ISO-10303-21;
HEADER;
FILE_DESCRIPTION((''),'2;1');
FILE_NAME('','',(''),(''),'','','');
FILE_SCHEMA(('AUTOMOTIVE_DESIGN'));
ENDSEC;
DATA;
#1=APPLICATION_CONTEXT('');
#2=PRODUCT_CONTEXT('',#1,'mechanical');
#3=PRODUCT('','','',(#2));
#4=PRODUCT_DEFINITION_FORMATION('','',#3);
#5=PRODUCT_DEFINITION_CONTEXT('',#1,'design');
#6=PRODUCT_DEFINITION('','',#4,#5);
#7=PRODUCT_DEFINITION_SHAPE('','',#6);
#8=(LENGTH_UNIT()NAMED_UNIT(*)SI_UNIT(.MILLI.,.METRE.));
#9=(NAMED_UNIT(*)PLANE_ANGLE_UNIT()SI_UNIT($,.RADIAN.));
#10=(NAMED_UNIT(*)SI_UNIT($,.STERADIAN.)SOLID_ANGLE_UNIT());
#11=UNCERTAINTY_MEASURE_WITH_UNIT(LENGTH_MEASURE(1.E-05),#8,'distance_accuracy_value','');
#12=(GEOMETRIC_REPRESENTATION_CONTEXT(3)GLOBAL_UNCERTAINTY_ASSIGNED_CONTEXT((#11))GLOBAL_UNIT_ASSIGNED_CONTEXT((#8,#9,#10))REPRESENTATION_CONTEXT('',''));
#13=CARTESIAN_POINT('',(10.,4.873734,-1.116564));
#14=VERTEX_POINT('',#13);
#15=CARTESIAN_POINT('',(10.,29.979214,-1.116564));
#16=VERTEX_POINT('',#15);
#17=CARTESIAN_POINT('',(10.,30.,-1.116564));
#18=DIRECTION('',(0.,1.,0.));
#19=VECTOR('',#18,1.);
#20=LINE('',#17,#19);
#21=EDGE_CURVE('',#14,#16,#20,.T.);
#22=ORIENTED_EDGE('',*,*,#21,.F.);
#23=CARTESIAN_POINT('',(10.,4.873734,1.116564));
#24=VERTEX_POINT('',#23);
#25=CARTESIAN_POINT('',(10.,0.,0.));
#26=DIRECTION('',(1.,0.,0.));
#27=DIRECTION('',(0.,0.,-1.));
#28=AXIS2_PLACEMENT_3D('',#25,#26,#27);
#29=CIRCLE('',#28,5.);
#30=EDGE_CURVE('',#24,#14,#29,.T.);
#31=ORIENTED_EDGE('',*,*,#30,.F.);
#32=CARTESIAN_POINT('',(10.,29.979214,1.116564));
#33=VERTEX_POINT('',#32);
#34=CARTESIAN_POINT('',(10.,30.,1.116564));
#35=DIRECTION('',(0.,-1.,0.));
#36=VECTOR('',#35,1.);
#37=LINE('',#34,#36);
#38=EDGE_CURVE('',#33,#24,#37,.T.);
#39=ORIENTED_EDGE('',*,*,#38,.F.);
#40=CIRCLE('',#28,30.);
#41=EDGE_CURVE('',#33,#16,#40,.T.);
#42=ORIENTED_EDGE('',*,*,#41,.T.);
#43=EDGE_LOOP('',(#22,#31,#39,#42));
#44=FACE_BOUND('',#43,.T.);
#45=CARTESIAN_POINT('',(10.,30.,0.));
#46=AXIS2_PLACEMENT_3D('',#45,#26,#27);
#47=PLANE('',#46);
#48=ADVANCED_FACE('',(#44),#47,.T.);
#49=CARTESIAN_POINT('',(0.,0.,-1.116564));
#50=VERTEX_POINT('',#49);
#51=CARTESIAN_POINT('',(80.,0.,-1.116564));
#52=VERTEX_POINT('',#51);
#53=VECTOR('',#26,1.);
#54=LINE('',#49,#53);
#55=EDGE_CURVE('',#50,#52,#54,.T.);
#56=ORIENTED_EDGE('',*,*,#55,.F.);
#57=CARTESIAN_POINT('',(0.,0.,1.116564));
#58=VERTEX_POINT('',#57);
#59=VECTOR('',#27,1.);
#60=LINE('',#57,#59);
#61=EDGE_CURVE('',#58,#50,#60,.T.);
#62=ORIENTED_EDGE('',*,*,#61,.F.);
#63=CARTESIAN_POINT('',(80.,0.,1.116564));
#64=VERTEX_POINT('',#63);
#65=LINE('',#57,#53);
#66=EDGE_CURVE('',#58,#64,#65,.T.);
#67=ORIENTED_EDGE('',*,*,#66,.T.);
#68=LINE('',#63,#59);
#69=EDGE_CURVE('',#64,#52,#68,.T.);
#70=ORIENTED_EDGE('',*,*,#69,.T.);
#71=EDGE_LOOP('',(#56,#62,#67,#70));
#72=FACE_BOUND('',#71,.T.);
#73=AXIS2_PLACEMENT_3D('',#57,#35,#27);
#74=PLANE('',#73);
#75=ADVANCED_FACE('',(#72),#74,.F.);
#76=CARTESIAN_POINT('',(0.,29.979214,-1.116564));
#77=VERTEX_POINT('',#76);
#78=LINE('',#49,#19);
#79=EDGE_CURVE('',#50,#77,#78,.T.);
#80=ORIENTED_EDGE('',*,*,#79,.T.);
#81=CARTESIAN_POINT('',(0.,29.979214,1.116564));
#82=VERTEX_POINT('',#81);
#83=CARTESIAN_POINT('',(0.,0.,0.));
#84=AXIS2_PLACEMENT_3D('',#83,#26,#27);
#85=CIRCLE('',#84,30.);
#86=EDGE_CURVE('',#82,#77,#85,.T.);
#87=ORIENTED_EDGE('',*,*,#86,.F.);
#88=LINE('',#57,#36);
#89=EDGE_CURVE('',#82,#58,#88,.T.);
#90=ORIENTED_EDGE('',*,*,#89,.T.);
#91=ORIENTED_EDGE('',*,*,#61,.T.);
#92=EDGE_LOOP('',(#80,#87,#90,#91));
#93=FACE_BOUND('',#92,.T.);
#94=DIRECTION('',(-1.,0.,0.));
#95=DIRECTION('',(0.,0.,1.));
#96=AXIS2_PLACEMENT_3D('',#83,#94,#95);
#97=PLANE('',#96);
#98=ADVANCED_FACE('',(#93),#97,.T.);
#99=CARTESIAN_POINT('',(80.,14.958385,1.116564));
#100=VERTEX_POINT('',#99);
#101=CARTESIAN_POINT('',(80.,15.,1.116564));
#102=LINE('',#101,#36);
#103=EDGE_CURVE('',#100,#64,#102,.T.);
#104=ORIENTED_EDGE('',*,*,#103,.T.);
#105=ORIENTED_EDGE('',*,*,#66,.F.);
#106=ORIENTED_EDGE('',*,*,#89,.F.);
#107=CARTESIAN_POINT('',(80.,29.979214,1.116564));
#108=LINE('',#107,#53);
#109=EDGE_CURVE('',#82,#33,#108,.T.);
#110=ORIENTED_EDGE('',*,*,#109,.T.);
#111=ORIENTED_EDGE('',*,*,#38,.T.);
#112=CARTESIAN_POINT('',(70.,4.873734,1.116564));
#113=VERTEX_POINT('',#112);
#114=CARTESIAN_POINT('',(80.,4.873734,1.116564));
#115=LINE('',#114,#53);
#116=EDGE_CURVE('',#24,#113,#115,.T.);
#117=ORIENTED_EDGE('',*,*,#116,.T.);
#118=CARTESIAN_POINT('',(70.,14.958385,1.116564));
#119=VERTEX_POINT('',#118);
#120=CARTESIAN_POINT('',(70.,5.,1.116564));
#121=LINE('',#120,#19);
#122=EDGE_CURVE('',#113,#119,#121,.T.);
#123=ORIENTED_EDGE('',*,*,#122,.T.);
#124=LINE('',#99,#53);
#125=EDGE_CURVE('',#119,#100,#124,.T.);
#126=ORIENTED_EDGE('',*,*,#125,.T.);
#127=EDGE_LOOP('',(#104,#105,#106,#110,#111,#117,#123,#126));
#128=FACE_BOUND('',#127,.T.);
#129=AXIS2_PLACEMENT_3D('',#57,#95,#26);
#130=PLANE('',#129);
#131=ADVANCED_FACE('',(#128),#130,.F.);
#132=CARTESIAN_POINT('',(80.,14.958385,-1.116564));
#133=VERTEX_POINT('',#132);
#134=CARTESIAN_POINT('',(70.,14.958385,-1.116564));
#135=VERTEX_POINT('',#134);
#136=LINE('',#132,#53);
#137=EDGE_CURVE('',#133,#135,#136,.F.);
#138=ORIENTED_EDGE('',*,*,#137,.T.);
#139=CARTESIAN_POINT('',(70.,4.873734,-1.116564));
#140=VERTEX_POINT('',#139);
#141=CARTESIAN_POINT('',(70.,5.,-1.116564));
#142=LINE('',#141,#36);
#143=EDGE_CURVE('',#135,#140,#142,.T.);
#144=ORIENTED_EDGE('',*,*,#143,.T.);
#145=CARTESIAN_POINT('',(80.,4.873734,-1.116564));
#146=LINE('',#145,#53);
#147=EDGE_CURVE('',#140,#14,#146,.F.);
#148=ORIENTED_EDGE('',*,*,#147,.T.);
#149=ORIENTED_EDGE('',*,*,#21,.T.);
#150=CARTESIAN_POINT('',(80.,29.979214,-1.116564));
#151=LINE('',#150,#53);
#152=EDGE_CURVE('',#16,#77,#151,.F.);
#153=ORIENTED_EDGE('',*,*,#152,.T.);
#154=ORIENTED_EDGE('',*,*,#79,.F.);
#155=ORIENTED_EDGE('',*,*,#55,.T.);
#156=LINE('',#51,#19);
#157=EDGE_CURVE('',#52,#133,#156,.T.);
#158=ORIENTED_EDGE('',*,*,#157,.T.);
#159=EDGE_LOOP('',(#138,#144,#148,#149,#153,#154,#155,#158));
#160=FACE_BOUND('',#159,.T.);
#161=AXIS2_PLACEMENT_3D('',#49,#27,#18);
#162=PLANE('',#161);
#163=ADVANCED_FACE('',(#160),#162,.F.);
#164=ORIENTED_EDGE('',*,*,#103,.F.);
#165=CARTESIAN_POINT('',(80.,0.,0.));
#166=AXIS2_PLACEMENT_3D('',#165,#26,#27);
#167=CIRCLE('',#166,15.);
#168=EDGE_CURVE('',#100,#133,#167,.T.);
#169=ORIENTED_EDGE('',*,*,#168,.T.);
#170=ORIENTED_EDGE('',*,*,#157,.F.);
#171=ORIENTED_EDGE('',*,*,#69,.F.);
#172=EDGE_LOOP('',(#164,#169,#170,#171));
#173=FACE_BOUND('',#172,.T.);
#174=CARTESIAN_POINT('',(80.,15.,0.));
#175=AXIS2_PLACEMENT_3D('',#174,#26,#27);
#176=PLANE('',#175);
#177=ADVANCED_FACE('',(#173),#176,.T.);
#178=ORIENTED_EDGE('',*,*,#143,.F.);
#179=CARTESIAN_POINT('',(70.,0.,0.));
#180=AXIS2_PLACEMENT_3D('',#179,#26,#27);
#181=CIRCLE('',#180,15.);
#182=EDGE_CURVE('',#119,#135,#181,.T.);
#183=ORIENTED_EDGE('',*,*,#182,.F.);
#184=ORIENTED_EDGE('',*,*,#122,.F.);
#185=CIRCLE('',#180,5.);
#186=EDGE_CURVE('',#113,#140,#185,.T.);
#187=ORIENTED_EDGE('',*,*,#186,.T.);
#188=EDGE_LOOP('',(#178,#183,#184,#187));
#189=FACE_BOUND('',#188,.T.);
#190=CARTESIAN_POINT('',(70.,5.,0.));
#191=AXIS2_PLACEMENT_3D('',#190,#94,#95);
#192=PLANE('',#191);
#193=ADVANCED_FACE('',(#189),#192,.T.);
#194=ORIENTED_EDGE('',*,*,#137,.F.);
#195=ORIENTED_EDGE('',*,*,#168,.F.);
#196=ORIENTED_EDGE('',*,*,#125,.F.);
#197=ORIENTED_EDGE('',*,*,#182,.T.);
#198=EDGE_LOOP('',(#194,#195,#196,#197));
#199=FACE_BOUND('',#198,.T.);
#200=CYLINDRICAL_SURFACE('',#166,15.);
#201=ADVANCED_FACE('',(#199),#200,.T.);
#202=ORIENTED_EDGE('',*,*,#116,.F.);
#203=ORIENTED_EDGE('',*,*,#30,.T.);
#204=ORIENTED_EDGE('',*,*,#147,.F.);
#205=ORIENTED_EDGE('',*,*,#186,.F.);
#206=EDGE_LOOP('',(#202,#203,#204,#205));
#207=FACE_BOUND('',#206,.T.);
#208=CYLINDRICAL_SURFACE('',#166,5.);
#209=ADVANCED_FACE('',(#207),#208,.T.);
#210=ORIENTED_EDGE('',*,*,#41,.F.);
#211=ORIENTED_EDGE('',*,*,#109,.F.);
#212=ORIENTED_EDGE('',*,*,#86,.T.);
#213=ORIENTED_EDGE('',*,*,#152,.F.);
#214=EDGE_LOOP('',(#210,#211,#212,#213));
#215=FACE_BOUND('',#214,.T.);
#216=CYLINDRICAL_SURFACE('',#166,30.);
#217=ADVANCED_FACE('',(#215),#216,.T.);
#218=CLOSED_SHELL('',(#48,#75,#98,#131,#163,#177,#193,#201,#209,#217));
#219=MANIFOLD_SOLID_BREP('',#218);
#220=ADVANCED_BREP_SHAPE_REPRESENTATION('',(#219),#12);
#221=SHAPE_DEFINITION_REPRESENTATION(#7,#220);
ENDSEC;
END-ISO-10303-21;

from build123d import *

# Parameters (mm, degrees)
SKETCH2_W          = 2.233127964
SKETCH2_H          = 31.607349632
CUT_EXTRUDE1_DEPTH = 80


with BuildPart() as part:
    # Sketch1 → Revolve1 (revolve)
    with BuildSketch(Plane.XY, mode=Mode.PRIVATE) as revolve1_sk:
        Polygon((0, 0), (0, 30), (10, 30), (10, 5), (70, 5), (70, 15), (80, 15), (80, 0), align=None)
    revolve(revolve1_sk.sketch.rotate(Axis((80, 0, 0), (-1, 0, 0)), 90), axis=Axis((80, 0, 0), (-1, 0, 0)))

    # Sketch2 → Cut-Extrude1 (cut)
    with BuildSketch(Plane(origin=(80, 0, 0), x_dir=(0, 0, -1), z_dir=(1, 0, 0))):
        with Locations((0, 15.803674816)):
            Rectangle(SKETCH2_W, SKETCH2_H)
    extrude(amount=-CUT_EXTRUDE1_DEPTH, mode=Mode.SUBTRACT)


solid = part.part
